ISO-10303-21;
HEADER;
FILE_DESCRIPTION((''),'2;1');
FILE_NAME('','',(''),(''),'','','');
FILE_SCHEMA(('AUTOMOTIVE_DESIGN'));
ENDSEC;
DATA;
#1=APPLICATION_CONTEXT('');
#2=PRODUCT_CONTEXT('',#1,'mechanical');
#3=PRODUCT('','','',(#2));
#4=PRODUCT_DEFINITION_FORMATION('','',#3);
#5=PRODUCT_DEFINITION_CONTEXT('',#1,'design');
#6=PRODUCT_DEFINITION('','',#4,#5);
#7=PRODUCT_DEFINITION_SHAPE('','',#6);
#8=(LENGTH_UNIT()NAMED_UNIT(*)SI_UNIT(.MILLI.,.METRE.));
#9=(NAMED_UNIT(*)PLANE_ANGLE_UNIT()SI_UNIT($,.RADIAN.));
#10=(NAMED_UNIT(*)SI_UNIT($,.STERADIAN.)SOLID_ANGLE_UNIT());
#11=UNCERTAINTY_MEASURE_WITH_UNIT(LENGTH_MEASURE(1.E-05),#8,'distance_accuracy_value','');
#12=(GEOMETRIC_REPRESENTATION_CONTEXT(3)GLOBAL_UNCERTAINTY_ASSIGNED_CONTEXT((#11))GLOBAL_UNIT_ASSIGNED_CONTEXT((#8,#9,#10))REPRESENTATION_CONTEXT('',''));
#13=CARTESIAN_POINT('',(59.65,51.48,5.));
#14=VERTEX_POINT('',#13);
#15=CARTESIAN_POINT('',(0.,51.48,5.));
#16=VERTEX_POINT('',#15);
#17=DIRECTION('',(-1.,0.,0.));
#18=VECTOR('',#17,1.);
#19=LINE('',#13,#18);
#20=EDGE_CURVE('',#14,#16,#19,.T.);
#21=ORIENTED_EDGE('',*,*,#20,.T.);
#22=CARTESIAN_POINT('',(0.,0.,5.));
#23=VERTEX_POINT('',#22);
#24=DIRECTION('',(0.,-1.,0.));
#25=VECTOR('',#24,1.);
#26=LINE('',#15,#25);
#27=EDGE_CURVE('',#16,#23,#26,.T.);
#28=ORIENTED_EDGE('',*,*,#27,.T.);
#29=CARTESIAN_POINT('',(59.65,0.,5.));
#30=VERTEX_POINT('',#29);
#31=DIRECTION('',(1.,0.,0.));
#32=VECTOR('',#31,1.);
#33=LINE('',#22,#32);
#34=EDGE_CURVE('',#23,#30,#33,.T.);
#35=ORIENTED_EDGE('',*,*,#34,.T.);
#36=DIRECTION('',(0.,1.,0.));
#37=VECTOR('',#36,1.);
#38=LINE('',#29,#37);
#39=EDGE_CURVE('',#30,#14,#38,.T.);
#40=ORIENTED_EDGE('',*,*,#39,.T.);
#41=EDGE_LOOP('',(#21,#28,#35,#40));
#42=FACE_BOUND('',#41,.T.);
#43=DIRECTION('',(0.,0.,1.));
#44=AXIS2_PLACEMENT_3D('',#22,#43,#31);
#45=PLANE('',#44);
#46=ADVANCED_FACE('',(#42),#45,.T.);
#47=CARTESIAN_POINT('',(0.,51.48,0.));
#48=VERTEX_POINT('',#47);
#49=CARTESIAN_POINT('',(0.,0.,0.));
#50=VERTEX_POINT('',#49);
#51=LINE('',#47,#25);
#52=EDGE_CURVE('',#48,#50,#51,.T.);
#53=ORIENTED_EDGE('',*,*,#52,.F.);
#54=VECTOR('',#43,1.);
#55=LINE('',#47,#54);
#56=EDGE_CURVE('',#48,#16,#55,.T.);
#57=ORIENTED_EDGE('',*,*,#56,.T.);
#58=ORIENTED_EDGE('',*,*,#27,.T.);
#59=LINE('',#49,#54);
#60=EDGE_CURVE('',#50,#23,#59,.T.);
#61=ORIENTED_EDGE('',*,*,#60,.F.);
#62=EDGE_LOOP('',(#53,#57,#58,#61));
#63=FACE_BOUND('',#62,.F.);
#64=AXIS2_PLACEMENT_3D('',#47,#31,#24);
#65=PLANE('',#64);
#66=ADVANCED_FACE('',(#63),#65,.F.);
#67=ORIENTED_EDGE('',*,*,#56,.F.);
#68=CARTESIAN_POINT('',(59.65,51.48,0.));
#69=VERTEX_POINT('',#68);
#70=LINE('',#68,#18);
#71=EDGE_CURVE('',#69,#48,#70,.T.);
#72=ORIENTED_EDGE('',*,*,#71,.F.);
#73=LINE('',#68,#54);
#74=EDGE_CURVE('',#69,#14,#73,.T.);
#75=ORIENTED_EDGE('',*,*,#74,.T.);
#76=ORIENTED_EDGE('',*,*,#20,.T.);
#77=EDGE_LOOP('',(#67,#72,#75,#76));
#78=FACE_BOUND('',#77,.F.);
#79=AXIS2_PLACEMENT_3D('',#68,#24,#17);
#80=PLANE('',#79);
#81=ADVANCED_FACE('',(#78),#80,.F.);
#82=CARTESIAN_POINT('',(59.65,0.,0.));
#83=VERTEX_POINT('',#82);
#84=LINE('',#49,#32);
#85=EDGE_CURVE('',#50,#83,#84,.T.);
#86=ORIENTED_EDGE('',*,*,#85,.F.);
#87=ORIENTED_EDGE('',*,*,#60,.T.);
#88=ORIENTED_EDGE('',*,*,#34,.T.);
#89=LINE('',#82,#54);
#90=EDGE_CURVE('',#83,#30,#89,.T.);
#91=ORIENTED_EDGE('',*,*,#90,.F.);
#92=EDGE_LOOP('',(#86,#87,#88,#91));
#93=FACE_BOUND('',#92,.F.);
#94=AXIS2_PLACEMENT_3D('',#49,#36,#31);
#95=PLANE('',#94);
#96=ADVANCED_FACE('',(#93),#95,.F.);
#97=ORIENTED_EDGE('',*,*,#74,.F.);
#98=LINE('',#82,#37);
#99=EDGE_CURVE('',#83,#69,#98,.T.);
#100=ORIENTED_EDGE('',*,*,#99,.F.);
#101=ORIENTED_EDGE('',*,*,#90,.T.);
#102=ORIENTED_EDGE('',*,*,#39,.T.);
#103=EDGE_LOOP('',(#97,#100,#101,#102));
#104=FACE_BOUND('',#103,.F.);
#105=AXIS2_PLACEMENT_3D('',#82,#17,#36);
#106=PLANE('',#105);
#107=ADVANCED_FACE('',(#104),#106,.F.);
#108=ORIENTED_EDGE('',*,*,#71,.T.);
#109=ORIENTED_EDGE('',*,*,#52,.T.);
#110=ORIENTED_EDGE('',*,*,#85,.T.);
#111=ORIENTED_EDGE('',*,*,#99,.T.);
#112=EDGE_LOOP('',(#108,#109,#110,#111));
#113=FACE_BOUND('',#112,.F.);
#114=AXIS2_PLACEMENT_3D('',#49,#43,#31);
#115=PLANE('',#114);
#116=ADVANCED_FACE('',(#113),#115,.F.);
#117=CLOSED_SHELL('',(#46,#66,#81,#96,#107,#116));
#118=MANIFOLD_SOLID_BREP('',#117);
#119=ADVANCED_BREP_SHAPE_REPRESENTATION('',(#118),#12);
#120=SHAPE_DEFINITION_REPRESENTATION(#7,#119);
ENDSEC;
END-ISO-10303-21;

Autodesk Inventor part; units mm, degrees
ref_plane "YZ Plane" through (0, 0, 0) normal (1, 0, 0) x (0, 1, 0)
ref_plane "XZ Plane" through (0, 0, 0) normal (0, 1, 0) x (-1, 0, 0)
ref_plane "XY Plane" through (0, 0, 0) normal (0, 0, 1) x (1, 0, 0)
sketch "草圖1" plane through (0, 0, 0) normal (0, 0, 1) x (1, 0, 0)
  line L0 (0, 0) -> (59.65, 0)
  line L1 (59.65, 0) -> (59.65, 51.48)
  line L2 (59.65, 51.48) -> (0, 51.48)
  line L3 (0, 51.48) -> (0, 0)
  dimension "d0" = 59.65
  dimension "d1" = 51.48
extrude "擠出1" add sketch "草圖1" along normal blind 5
properties part number "空雞補底"
